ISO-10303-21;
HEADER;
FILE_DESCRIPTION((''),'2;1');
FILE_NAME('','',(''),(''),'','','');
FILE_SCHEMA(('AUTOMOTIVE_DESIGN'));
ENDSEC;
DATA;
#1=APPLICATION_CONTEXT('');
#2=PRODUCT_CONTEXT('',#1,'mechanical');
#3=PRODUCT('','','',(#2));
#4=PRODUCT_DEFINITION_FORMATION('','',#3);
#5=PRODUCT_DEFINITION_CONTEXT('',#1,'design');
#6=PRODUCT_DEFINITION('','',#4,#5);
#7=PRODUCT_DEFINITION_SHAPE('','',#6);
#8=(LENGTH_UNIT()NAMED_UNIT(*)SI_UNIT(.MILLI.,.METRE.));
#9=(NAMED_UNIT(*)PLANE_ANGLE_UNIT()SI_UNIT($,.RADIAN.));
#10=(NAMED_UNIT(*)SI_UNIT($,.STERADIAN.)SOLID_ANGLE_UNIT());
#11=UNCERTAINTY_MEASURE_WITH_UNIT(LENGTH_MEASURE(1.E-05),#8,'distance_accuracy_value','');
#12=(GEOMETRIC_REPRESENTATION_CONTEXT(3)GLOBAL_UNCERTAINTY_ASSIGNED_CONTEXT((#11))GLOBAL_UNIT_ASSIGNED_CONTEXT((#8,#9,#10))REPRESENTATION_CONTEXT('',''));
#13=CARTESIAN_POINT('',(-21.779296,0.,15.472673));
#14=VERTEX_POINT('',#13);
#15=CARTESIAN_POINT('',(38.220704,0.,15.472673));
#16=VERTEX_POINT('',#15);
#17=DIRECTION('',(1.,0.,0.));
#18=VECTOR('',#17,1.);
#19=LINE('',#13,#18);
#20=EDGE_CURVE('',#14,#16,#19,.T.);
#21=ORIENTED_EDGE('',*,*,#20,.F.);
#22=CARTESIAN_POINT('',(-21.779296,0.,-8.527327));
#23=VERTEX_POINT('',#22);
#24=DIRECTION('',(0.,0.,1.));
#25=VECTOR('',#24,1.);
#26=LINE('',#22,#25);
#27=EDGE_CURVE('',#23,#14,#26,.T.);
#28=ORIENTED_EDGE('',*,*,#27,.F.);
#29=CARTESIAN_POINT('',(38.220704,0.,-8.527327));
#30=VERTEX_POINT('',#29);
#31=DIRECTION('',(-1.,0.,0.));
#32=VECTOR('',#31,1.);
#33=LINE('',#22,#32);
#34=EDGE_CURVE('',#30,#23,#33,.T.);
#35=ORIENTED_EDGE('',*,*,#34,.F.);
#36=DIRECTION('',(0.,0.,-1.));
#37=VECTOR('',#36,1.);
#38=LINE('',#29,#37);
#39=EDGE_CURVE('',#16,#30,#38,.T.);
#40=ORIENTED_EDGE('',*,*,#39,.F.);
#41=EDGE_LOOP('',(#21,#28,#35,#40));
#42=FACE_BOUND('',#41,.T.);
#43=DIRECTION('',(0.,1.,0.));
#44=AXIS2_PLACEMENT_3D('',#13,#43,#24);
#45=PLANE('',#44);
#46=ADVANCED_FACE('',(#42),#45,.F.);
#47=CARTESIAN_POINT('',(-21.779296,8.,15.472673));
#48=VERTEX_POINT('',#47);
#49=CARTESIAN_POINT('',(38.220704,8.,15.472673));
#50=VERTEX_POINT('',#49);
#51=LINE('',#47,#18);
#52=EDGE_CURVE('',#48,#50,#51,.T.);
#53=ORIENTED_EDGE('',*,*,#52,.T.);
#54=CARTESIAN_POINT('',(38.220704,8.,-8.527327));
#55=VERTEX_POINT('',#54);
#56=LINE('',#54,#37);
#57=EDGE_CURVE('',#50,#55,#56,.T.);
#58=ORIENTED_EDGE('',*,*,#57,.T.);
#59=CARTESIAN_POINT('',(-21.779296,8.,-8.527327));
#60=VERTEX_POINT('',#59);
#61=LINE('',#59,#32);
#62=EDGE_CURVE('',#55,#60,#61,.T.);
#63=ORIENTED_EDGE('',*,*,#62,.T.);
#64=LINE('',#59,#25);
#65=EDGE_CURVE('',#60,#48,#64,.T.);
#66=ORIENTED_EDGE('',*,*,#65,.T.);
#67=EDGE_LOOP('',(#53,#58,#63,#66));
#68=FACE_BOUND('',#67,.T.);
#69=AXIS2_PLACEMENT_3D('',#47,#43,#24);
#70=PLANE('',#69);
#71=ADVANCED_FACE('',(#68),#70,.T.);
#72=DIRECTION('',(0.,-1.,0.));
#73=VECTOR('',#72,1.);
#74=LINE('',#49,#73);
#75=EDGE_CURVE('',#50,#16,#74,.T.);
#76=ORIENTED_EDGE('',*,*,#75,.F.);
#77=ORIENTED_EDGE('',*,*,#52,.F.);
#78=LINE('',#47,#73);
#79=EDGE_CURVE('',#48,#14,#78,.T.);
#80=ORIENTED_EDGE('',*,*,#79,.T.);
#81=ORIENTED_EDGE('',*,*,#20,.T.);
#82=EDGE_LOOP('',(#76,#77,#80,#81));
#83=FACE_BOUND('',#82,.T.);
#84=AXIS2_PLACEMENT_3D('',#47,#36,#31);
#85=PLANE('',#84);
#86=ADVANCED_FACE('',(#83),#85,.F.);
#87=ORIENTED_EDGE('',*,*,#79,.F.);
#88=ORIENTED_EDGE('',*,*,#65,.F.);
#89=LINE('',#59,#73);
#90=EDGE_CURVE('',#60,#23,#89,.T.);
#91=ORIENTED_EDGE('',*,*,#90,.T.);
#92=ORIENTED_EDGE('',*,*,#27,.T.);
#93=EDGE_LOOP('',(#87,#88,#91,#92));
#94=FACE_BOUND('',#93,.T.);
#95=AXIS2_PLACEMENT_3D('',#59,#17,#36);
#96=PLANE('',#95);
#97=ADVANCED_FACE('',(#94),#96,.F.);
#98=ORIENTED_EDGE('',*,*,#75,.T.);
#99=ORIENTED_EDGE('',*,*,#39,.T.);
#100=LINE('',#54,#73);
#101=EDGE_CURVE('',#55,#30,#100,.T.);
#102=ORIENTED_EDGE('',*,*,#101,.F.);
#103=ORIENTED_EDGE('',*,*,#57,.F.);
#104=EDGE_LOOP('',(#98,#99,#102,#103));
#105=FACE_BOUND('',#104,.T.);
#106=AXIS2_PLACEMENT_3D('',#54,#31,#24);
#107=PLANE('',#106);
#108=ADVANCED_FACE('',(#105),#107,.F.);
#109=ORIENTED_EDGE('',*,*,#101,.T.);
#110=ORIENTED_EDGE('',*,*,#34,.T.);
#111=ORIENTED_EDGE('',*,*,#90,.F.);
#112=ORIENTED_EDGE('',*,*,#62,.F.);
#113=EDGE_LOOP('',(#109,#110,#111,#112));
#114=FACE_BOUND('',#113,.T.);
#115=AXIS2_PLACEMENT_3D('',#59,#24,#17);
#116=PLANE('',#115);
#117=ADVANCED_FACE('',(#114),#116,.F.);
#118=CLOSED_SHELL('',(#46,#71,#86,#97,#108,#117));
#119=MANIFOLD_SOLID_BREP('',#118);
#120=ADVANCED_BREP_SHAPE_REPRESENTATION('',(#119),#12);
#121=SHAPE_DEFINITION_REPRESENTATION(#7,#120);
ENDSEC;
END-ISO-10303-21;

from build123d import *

# Parameters (mm, degrees)
SKETCH1_W      = 60
SKETCH1_H      = 24
EXTRUDE1_DEPTH = 8


with BuildPart() as part:
    # Sketch1 → Extrude1 (new body)
    with BuildSketch(Plane(origin=(0, 0, 0), x_dir=(1, 0, 0), z_dir=(0, 1, 0))):
        with Locations((8.220703684, -3.472673295)):
            Rectangle(SKETCH1_W, SKETCH1_H)
    extrude(amount=EXTRUDE1_DEPTH)


solid = part.part
